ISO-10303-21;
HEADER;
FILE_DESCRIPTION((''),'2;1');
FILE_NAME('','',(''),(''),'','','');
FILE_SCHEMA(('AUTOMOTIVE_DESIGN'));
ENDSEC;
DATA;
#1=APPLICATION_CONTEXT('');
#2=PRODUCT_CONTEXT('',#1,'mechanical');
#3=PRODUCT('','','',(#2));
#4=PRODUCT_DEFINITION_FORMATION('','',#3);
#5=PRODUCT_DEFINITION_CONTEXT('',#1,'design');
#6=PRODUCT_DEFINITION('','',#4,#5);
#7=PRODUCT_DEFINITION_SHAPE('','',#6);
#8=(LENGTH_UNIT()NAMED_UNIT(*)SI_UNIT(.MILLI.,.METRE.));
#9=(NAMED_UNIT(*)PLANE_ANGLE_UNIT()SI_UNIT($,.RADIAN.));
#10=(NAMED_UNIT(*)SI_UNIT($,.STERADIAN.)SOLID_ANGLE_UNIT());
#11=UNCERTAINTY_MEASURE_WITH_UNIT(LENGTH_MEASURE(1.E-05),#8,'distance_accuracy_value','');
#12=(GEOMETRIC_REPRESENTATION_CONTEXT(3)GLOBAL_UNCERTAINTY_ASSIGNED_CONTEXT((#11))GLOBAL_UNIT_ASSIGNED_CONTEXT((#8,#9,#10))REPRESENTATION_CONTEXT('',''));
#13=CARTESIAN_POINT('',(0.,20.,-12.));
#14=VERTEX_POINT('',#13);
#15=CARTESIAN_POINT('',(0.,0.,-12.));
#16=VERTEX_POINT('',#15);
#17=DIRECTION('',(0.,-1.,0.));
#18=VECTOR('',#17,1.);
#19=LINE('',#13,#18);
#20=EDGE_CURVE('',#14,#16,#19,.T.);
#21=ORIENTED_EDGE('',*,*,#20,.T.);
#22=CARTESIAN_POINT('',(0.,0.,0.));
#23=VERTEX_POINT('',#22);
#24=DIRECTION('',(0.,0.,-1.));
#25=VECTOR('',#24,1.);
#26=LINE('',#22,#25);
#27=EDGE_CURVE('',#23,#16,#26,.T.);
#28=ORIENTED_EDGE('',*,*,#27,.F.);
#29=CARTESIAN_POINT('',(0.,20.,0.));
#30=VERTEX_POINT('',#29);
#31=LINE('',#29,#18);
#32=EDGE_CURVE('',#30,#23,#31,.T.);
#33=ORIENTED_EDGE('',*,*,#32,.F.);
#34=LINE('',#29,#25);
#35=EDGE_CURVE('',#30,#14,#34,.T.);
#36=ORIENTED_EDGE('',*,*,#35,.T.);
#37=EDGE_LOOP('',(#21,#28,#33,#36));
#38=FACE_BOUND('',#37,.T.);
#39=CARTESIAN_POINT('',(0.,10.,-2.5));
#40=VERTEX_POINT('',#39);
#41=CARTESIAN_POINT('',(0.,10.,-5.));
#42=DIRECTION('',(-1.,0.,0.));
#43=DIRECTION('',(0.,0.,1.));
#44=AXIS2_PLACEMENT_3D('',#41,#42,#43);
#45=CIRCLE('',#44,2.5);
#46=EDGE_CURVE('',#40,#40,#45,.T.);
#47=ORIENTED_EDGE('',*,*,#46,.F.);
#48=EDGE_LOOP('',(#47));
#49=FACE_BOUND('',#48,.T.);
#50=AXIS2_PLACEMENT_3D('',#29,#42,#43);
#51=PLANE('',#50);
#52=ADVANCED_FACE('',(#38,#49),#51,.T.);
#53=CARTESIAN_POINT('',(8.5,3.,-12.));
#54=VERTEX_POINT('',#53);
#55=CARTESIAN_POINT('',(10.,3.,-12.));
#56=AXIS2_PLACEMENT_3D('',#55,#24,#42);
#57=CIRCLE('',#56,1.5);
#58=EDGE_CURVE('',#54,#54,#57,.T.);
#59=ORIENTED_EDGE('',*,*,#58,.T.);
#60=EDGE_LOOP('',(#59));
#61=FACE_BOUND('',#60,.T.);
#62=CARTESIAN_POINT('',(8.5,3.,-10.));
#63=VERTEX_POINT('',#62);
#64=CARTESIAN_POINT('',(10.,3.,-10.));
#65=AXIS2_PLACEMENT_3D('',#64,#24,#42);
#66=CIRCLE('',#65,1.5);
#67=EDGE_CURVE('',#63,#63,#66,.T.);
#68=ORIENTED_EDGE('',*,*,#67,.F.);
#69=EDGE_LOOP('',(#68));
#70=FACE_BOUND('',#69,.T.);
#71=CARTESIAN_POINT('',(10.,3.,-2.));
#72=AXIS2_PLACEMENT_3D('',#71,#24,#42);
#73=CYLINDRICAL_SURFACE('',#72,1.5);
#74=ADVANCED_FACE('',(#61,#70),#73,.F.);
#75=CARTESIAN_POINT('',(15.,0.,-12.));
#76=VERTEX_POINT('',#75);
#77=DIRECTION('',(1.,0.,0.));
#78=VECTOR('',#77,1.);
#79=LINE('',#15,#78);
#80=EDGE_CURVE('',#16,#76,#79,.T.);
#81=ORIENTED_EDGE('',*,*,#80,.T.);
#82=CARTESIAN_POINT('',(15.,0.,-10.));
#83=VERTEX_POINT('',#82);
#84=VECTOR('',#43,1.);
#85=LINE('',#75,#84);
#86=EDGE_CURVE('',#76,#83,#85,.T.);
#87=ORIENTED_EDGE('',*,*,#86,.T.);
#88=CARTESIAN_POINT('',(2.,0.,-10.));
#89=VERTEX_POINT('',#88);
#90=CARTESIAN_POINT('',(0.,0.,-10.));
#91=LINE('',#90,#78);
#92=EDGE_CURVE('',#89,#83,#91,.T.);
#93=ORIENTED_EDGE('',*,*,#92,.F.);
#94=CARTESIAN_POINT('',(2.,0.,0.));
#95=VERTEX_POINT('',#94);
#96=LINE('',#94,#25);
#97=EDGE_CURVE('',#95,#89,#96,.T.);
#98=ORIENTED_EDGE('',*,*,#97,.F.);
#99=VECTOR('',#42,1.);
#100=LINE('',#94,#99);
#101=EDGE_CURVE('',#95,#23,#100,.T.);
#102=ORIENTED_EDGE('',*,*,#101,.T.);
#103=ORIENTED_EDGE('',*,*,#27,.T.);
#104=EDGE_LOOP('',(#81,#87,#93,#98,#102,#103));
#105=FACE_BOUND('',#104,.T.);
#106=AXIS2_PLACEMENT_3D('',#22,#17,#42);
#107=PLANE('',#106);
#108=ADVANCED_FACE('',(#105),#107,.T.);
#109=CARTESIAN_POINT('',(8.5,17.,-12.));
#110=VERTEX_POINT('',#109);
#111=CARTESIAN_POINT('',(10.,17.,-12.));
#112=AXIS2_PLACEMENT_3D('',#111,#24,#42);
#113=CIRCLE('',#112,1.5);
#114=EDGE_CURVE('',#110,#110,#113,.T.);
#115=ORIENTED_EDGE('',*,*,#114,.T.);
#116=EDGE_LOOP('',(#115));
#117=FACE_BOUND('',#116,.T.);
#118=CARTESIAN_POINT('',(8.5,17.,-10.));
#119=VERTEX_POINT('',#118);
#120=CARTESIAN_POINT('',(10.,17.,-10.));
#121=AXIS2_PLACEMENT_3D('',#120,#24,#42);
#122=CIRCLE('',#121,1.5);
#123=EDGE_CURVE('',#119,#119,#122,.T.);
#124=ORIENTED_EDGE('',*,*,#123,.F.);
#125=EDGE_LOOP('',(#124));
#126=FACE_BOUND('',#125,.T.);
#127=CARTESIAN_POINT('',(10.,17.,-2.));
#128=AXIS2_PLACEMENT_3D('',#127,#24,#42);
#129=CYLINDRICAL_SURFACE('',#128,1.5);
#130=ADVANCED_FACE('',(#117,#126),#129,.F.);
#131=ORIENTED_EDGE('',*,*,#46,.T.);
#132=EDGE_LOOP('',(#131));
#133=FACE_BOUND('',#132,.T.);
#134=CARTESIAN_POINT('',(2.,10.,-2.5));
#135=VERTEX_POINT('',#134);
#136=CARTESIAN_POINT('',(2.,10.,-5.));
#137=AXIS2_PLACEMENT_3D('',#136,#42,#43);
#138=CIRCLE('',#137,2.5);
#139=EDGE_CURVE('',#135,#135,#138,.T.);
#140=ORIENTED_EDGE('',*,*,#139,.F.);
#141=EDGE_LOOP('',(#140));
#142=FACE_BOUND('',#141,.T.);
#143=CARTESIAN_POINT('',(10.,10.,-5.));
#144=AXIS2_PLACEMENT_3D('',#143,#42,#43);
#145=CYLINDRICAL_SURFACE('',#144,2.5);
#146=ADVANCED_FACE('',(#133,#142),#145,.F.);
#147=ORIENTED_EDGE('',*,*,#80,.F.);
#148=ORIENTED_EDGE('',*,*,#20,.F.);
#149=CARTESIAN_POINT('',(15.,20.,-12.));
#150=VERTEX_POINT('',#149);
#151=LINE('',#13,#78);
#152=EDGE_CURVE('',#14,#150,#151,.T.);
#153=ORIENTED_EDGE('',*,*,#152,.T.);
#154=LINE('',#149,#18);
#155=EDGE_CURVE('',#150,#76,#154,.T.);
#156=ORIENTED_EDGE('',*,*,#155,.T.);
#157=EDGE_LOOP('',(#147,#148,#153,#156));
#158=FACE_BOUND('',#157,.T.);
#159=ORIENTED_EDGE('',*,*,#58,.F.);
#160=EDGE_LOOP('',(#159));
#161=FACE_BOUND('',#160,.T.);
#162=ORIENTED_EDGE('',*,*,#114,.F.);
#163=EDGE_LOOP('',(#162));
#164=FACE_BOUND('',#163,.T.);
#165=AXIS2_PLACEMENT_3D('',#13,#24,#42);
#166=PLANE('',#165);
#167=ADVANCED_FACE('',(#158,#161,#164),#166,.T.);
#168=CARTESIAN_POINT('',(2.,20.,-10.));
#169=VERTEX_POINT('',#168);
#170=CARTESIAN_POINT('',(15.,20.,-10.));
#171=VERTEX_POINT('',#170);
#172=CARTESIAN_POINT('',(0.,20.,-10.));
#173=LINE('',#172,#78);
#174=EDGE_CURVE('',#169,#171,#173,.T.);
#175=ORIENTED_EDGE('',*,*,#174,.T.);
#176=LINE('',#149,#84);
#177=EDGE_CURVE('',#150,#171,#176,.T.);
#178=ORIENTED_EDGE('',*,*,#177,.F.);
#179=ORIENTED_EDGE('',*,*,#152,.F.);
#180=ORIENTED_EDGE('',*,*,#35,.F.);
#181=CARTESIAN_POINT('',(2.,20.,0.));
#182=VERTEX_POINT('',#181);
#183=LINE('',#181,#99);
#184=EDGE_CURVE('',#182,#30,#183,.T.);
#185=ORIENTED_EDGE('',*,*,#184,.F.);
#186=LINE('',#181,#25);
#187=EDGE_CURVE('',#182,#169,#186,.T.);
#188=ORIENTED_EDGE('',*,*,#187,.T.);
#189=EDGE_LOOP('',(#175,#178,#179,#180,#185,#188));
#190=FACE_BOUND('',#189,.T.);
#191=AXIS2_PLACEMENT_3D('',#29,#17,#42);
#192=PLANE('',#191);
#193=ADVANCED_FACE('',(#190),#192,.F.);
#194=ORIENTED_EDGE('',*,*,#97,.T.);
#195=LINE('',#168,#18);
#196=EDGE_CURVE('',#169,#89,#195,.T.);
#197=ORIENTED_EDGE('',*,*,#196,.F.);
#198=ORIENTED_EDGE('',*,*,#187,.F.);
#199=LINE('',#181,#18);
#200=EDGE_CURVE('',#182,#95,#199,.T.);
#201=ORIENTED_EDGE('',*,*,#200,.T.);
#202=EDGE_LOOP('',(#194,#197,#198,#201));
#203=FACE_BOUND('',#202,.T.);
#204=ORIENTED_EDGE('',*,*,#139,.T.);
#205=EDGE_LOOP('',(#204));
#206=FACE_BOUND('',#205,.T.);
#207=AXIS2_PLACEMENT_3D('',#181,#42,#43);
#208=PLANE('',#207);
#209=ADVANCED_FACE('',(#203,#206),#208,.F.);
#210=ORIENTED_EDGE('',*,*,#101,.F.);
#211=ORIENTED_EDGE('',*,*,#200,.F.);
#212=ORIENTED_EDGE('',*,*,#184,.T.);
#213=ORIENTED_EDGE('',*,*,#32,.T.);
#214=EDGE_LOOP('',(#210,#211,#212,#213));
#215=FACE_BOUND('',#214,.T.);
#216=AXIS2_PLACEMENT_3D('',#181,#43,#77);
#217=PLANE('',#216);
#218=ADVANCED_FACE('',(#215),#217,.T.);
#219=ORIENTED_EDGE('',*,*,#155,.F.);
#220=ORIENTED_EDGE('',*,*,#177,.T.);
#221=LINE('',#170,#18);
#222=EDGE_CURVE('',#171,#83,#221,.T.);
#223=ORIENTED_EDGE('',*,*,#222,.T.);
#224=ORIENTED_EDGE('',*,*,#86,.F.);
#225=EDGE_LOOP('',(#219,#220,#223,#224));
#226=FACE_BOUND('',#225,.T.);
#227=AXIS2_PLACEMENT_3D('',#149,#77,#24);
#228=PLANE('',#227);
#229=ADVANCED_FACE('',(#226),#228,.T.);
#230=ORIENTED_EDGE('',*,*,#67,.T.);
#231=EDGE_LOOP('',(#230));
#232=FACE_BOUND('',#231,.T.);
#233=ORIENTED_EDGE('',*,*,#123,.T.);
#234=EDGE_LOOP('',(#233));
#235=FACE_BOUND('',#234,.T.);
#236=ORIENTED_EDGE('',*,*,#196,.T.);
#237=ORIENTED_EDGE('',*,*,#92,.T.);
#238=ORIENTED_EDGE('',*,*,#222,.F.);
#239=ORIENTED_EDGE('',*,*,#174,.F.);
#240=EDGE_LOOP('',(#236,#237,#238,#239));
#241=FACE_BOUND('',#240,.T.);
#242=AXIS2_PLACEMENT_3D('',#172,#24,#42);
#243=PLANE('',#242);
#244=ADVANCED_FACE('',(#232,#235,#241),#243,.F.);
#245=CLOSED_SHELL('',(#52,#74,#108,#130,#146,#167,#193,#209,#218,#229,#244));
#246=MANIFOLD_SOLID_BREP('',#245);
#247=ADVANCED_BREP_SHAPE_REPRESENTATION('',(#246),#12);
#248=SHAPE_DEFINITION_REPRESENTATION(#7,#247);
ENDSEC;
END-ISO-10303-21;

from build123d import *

# Parameters (mm, degrees)
EXTRUDE_THIN1_DEPTH = 20
SKETCH2_R           = 2.5
CUT_EXTRUDE1_DEPTH  = 10
SKETCH3_R           = 1.5
CUT_EXTRUDE2_DEPTH  = 10


with BuildPart() as part:
    # Sketch1 → Extrude-Thin1 (new body)
    with BuildSketch(Plane(origin=(0, 0, 0), x_dir=(1, 0, 0), z_dir=(0, 1, 0))):
        Polygon((0, 0), (0, 12), (15, 12), (15, 10), (2, 10), (2, 0), align=None)
    extrude(amount=EXTRUDE_THIN1_DEPTH)

    # Sketch2 → Cut-Extrude1 (cut)
    with BuildSketch(Plane.ZY):
        with Locations((-5, 10)):
            Circle(SKETCH2_R)
    extrude(amount=-CUT_EXTRUDE1_DEPTH, mode=Mode.SUBTRACT)

    # Sketch3 → Cut-Extrude2 (cut)
    with BuildSketch(Plane(origin=(0, 0, -12), x_dir=(-1, 0, 0), z_dir=(0, 0, -1))):
        with Locations((-10, 17)):
            Circle(SKETCH3_R)
        with Locations((-10, 3)):
            Circle(SKETCH3_R)
    extrude(amount=-CUT_EXTRUDE2_DEPTH, mode=Mode.SUBTRACT)


solid = part.part
